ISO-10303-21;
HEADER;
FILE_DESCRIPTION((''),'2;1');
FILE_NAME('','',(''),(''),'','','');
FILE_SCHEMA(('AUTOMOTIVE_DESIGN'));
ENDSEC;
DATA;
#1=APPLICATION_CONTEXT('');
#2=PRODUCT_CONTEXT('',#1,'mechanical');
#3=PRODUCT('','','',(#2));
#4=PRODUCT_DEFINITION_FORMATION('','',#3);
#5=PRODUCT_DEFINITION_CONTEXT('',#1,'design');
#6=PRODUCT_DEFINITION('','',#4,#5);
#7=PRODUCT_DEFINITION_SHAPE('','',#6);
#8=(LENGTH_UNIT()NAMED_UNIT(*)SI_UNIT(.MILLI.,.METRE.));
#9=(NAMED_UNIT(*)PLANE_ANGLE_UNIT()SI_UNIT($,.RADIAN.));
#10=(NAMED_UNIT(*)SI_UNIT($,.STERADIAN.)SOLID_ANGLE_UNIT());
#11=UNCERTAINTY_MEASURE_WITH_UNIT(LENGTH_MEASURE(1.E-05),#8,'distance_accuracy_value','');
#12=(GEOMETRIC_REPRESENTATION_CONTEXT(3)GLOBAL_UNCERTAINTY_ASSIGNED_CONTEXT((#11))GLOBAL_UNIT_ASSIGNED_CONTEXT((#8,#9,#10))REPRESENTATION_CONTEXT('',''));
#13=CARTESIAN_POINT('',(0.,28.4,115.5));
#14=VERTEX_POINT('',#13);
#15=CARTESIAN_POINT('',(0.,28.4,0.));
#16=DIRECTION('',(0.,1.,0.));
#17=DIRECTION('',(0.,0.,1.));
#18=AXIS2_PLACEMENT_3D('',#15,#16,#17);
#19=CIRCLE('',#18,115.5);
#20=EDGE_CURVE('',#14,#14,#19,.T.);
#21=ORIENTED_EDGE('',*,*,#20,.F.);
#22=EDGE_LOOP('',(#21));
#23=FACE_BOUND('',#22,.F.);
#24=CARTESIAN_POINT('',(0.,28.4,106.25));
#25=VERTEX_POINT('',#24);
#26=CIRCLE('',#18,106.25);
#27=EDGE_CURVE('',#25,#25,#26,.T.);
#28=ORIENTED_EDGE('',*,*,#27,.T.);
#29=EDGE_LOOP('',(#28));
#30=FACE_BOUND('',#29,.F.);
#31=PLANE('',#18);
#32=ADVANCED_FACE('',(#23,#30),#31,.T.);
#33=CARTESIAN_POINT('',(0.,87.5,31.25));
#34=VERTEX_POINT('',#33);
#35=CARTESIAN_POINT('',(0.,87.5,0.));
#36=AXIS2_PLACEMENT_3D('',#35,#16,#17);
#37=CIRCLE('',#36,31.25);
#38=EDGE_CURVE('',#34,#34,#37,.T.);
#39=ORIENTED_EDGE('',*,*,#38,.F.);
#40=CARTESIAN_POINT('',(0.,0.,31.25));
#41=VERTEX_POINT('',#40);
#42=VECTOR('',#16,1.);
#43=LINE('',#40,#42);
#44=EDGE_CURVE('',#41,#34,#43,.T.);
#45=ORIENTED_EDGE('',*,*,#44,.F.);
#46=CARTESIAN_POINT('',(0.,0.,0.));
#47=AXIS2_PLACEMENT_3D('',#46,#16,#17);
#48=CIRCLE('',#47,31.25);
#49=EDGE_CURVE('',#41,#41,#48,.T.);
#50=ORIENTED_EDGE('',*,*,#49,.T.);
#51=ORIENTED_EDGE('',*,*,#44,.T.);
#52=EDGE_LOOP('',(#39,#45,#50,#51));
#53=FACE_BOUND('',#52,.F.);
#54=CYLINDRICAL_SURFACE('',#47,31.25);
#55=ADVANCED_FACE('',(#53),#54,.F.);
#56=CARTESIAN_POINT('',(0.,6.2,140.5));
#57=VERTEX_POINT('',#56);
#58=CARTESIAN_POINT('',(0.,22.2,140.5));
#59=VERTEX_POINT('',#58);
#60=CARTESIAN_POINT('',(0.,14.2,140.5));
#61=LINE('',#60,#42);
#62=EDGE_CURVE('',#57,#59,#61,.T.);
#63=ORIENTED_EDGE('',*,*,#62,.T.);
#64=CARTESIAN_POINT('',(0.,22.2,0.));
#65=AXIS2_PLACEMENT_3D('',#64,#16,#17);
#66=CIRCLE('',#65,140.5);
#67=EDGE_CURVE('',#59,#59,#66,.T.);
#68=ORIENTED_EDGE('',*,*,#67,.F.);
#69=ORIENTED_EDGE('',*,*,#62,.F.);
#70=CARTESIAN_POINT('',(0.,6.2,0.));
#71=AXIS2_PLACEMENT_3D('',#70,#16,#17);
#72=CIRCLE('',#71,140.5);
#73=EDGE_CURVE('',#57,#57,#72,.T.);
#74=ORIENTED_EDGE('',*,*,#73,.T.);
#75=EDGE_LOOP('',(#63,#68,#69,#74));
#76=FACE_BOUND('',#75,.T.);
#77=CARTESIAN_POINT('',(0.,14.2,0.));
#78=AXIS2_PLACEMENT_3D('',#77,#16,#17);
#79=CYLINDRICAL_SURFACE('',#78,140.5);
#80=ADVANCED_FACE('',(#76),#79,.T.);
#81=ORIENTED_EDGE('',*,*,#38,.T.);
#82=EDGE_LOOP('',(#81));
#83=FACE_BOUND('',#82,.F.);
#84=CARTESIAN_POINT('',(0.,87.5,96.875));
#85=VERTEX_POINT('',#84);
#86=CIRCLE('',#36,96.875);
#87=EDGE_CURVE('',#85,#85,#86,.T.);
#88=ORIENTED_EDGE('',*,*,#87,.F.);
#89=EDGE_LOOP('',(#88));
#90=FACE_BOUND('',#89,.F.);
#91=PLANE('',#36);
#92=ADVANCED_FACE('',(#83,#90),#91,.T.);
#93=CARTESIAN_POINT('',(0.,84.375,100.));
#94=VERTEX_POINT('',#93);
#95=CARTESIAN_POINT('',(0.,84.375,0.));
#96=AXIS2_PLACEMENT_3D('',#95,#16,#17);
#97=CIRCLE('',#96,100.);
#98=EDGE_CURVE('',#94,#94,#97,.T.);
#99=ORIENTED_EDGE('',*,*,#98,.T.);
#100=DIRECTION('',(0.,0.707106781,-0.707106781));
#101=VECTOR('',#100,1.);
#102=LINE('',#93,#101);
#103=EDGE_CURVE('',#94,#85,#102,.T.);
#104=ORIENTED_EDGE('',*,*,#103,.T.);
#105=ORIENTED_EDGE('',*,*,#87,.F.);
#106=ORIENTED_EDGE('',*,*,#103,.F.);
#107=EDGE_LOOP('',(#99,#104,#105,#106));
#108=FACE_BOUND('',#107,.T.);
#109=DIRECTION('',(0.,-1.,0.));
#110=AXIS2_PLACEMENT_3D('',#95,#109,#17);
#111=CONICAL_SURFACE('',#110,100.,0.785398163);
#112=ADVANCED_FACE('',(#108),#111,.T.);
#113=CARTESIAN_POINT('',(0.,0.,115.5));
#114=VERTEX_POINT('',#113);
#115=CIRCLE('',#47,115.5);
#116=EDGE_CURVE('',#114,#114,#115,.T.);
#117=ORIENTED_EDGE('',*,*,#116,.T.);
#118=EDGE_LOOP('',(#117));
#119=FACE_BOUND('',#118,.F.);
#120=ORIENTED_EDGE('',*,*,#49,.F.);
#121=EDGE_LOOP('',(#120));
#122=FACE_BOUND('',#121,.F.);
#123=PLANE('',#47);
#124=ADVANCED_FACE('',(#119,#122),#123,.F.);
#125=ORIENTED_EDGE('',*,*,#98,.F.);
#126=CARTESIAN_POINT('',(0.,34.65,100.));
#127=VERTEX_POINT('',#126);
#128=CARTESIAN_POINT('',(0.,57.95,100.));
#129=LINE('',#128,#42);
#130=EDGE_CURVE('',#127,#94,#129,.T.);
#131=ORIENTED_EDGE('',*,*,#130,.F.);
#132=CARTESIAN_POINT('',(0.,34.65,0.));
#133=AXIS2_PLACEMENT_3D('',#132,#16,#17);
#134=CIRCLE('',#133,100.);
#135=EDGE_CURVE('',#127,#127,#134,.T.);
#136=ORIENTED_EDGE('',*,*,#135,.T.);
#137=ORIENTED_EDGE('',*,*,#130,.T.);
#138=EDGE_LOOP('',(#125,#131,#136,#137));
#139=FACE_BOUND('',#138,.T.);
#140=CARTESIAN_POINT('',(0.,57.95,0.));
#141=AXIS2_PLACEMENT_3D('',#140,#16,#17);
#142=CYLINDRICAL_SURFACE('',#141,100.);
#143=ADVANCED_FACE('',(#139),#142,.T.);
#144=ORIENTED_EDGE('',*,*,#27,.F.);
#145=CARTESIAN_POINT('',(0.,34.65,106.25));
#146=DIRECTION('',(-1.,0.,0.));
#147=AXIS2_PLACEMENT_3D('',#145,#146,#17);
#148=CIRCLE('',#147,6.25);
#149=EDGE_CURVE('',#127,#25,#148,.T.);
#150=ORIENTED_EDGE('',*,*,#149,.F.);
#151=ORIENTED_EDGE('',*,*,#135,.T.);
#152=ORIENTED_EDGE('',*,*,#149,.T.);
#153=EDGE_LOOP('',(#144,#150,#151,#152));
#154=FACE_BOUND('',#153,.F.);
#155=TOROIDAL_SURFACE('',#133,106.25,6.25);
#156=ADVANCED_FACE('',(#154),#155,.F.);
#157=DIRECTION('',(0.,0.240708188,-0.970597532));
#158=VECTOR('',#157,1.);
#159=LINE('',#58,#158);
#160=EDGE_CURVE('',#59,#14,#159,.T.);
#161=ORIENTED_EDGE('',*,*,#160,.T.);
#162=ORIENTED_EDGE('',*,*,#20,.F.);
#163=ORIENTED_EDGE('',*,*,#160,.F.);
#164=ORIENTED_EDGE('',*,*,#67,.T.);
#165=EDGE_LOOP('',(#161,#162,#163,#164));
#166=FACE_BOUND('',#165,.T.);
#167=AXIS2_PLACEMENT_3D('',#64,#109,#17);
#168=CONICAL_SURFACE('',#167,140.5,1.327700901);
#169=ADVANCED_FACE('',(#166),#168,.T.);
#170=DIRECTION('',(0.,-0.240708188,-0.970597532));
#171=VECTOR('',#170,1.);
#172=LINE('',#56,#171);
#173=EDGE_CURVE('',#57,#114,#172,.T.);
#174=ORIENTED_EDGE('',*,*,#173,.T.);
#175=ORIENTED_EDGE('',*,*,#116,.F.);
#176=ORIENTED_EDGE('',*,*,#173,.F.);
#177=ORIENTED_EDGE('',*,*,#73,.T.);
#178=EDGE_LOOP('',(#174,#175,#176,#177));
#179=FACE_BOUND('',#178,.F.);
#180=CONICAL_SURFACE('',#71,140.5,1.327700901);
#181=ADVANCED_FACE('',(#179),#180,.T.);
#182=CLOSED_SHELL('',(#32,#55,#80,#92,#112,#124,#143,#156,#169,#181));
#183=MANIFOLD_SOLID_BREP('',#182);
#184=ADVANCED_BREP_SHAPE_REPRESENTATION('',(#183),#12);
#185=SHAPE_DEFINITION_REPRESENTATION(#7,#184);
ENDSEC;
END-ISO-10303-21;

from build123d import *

# Parameters (mm, degrees)
F0_W     = 28.4
F0_H     = 40.5
F0_H_2   = 68.75
F0_W_2   = 59.1
F2_R     = 6.25
F3_SIZE  = 3.125
F4_SIZE2 = 25
F4_SIZE  = 6.2


with BuildPart() as f1:
    # F0 (on Right) → F1 (revolve)
    with BuildSketch(Plane.YZ):
        with Locations((14.2, 120.25)):
            Rectangle(F0_W, F0_H)
        with Locations((14.2, 65.625)):
            Rectangle(F0_W, F0_H_2)
        with Locations((57.95, 65.625)):
            Rectangle(F0_W_2, F0_H_2)
    revolve(axis=Axis((0, 43.75, 0), (0, 1, 0)))

    # F2
    f2_edges = [f1.edges().sort_by_distance(p)[0] for p in [
        (0, 28.4, -100),
    ]]
    fillet(f2_edges, radius=F2_R)

    # F3
    f3_edges = [f1.edges().sort_by_distance(p)[0] for p in [
        (0, 87.5, -100),
    ]]
    chamfer(f3_edges, length=F3_SIZE)

    # F4
    f4_edges = [f1.edges().sort_by_distance(p)[0] for p in [
        (0, 0, -140.5),
        (0, 28.4, -140.5),
    ]]
    f4_side = f1.faces().sort_by_distance((0, 14.2, -140.5))[0]
    chamfer(f4_edges, length=F4_SIZE, length2=F4_SIZE2, reference=f4_side)


solid = f1.part
